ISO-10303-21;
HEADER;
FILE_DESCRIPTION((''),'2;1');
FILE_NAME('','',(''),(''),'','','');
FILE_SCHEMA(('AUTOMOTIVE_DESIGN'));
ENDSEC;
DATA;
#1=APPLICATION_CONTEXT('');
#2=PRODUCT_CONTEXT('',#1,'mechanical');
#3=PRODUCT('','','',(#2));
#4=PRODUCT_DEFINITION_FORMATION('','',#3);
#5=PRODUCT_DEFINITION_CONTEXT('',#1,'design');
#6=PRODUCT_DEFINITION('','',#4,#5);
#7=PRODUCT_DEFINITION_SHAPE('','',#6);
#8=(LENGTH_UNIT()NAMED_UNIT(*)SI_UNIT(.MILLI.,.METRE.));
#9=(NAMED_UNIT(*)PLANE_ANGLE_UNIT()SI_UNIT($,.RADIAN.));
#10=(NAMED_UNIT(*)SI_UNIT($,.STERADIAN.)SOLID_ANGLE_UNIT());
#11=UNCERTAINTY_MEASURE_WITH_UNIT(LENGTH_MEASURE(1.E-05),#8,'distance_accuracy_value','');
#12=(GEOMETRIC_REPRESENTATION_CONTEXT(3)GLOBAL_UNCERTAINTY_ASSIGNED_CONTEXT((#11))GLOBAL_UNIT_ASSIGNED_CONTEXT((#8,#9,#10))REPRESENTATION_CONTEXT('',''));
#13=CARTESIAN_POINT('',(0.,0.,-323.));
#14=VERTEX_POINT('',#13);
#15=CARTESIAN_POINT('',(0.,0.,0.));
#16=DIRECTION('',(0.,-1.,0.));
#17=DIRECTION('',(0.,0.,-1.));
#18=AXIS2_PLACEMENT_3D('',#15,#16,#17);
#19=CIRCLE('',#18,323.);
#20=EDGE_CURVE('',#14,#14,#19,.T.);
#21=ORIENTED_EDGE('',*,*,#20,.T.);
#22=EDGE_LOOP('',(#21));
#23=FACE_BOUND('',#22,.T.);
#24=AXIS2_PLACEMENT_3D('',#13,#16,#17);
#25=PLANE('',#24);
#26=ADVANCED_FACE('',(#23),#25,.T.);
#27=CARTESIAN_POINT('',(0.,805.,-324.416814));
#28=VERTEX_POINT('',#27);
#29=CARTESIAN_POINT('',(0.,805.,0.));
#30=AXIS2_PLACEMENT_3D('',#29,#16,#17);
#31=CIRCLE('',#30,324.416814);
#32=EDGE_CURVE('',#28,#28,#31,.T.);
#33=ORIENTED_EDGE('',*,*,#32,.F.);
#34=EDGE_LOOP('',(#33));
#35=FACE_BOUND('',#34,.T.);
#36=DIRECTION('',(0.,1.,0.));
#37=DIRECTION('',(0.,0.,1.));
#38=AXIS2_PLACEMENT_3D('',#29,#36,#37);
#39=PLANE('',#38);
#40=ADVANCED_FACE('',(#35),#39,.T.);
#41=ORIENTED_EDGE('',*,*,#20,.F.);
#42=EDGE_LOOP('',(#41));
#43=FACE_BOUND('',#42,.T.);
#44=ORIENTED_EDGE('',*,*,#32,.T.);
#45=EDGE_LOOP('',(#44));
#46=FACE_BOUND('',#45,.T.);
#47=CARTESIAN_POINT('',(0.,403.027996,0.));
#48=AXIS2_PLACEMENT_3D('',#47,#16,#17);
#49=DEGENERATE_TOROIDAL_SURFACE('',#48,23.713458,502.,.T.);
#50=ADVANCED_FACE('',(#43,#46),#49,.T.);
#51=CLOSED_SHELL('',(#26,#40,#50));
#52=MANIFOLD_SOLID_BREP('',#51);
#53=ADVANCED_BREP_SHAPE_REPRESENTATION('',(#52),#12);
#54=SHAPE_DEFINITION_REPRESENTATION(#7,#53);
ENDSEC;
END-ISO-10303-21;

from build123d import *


with BuildPart() as part:
    # Sketch2 → Revolve1 (revolve)
    with BuildSketch(Plane(origin=(0, 0, 0), x_dir=(0, 0, -1), z_dir=(1, 0, 0))):
        with BuildLine():
            Line((323, 0), (0, 0))
            Line((0, 0), (0, 805))
            Line((0, 805), (324.416814066, 805))
            ThreePointArc((324.416814066, 805), (525.712680599, 402.144468949), (323, 0))
        make_face()
    revolve(axis=Axis((0, 0, 0), (0, 1, 0)))


solid = part.part
